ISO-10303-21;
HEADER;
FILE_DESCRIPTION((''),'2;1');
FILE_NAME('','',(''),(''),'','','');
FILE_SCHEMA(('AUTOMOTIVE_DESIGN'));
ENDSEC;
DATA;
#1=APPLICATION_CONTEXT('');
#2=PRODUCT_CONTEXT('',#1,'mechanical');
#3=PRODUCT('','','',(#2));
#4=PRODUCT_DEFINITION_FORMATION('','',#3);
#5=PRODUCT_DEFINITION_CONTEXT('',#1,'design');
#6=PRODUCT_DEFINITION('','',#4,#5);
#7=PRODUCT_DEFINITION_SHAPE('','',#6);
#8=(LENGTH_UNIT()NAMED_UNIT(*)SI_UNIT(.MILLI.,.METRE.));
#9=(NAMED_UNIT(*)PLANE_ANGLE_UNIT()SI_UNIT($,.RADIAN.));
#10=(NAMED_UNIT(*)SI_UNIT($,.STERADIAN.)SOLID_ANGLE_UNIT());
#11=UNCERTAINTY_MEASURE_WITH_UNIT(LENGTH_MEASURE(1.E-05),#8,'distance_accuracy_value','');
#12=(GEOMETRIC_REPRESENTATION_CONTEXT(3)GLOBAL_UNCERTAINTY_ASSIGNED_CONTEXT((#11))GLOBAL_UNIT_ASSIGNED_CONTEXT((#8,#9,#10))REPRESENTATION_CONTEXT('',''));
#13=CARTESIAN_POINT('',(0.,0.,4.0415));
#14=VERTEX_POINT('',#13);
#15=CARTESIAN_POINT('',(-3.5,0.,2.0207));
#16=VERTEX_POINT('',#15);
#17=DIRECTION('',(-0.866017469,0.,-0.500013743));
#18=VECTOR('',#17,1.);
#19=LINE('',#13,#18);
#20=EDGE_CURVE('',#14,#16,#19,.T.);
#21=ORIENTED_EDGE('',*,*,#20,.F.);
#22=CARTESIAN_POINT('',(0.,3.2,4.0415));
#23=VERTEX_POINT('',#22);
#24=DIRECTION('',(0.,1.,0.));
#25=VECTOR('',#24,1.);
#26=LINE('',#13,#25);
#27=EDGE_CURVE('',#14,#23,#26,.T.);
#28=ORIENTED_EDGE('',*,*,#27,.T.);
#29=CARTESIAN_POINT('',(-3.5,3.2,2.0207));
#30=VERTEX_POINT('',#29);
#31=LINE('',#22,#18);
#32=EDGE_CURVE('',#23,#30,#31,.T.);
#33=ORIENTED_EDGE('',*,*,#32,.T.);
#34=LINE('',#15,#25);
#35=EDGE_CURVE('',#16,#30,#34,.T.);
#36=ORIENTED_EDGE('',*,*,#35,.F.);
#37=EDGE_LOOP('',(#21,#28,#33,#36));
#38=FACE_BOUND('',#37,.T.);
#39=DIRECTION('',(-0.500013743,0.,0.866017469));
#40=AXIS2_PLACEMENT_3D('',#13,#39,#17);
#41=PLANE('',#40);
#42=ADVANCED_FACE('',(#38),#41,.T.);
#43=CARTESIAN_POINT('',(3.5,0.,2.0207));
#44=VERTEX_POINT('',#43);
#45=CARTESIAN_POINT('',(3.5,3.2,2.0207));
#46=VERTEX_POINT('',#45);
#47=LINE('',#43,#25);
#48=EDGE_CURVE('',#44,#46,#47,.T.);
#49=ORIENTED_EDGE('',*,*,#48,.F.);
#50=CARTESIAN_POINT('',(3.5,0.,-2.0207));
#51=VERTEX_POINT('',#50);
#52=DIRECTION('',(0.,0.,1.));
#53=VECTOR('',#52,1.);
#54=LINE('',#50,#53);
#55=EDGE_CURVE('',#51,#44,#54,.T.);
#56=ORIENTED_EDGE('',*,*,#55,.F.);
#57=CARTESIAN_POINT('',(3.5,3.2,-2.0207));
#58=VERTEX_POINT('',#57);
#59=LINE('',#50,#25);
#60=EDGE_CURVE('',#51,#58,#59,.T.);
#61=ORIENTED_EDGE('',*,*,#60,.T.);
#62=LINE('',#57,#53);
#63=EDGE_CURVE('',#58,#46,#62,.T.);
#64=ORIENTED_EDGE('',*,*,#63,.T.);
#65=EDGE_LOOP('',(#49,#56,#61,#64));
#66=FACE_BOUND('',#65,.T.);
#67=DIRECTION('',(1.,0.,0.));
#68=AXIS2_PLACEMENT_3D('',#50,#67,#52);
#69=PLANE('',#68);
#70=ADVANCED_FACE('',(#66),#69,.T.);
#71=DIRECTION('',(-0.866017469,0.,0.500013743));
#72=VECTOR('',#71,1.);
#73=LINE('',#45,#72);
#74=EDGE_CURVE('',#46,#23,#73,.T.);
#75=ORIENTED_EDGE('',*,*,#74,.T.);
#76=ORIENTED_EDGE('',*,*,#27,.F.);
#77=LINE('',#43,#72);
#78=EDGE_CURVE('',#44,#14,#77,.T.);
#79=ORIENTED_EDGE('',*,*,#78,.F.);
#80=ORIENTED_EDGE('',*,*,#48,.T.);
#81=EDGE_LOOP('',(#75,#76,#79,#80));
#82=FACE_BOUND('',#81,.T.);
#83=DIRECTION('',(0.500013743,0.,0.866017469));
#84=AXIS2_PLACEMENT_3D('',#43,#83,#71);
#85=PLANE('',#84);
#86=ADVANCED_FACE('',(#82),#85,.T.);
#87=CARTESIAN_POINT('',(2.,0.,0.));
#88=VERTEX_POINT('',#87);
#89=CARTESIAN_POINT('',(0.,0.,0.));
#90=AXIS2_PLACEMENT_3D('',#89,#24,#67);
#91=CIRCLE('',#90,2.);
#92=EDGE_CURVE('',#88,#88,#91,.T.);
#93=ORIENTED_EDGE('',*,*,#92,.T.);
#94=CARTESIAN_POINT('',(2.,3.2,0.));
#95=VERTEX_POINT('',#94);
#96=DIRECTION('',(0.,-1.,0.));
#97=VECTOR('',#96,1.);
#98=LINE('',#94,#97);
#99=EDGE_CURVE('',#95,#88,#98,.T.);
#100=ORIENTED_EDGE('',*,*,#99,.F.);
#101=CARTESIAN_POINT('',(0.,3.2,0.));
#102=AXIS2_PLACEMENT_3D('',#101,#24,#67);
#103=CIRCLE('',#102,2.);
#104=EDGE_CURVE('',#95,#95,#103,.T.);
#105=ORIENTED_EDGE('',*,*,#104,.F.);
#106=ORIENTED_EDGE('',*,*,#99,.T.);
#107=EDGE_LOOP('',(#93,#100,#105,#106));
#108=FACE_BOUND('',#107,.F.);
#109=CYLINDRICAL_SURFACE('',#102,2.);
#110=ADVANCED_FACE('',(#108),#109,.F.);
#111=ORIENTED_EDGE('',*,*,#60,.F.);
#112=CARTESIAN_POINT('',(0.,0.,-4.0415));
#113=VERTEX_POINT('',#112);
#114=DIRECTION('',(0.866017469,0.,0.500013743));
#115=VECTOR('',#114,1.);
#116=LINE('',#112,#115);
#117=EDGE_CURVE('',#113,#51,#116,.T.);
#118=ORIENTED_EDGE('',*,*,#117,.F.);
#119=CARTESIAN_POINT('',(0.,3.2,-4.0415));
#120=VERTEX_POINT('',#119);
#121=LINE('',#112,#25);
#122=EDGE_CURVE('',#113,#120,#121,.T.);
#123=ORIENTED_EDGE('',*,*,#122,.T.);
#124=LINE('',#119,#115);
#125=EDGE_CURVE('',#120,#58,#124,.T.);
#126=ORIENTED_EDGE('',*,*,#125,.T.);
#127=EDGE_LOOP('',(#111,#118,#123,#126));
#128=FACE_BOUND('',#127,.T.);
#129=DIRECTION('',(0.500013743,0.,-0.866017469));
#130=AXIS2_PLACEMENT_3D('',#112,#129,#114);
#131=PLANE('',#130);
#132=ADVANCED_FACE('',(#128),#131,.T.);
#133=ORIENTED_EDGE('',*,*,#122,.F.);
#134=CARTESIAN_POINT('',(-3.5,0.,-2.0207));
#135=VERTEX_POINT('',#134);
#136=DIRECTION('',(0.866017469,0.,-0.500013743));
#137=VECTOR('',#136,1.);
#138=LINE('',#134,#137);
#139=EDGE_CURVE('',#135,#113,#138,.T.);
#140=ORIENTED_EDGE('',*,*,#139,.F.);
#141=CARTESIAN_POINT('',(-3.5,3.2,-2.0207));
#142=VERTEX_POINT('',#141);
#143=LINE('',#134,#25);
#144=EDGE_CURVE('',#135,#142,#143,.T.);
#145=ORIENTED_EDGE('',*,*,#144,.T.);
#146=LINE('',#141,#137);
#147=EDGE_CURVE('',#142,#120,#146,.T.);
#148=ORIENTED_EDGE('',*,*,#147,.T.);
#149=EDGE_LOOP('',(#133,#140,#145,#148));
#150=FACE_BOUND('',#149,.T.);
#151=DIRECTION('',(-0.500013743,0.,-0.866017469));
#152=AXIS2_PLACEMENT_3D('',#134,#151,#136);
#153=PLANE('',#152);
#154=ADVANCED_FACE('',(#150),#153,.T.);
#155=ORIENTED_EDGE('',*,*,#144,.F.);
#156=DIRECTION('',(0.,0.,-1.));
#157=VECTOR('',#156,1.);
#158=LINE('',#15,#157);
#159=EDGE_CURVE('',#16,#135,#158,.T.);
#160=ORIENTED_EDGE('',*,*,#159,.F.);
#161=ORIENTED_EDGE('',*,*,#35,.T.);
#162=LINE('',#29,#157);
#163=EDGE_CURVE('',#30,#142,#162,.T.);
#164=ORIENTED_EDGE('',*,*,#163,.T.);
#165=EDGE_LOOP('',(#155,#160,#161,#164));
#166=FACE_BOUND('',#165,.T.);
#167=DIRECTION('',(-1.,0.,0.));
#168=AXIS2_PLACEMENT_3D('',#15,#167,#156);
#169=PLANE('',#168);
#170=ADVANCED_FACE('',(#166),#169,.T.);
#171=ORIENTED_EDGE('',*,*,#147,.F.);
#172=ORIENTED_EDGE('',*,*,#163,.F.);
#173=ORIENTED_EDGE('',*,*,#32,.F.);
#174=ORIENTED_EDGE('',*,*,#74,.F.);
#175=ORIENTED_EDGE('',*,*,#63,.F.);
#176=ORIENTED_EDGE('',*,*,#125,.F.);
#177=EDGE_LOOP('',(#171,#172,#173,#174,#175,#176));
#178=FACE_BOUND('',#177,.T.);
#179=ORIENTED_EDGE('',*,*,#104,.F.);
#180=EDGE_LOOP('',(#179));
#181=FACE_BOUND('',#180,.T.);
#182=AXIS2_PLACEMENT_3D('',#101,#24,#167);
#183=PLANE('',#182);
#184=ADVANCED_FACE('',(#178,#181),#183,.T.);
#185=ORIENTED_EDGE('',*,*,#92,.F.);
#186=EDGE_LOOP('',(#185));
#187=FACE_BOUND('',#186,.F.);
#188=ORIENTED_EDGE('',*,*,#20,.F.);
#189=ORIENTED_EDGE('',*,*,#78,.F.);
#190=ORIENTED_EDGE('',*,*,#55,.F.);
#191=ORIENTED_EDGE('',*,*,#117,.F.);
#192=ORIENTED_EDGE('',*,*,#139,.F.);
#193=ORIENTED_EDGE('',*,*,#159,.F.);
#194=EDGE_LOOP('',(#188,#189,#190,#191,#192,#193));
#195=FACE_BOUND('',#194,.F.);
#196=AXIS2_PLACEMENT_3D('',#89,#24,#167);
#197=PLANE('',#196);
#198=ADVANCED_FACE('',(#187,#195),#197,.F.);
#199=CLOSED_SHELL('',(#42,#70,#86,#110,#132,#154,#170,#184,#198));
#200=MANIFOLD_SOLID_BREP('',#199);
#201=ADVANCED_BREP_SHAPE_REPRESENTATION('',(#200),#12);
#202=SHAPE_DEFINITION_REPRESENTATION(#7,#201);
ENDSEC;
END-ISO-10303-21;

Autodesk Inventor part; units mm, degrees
ref_plane "YZ Plane" through (0, 0, 0) normal (1, 0, 0) x (0, 1, 0)
ref_plane "XZ Plane" through (0, 0, 0) normal (0, 1, 0) x (-1, 0, 0)
ref_plane "XY Plane" through (0, 0, 0) normal (0, 0, 1) x (1, 0, 0)
sketch "Sketch1" plane through (0, 0, 0) normal (0, 1, 0) x (-1, 0, 0)
  line L0 (0, 4.0415) -> (3.5, 2.0207)
  line L1 (3.5, 2.0207) -> (3.5, -2.0207)
  line L2 (3.5, -2.0207) -> (0, -4.0415)
  line L3 (0, -4.0415) -> (-3.5, -2.0207)
  line L4 (-3.5, -2.0207) -> (-3.5, 2.0207)
  line L5 (-3.5, 2.0207) -> (0, 4.0415)
  point P0 (0, 0)
  point P1 (0, 0)
  dimension "d0" = 3.5
extrude "Extrusion1" add sketch "Sketch1" along normal blind 3.2
sketch "Sketch2" plane through (0, 3.2, 0) normal (0, 1, 0) x (1, 0, 0)
  circle A0 centre (0, 0) radius 2
  dimension "d3" = 4
extrude "Extrusion2" cut sketch "Sketch2" against normal blind 4.3
thread "Thread1" size "M4x0.7" class "6H" standard "ANSI Metric M Profile" full length
properties part number "M4Nut" material "Steel, Alloy"
